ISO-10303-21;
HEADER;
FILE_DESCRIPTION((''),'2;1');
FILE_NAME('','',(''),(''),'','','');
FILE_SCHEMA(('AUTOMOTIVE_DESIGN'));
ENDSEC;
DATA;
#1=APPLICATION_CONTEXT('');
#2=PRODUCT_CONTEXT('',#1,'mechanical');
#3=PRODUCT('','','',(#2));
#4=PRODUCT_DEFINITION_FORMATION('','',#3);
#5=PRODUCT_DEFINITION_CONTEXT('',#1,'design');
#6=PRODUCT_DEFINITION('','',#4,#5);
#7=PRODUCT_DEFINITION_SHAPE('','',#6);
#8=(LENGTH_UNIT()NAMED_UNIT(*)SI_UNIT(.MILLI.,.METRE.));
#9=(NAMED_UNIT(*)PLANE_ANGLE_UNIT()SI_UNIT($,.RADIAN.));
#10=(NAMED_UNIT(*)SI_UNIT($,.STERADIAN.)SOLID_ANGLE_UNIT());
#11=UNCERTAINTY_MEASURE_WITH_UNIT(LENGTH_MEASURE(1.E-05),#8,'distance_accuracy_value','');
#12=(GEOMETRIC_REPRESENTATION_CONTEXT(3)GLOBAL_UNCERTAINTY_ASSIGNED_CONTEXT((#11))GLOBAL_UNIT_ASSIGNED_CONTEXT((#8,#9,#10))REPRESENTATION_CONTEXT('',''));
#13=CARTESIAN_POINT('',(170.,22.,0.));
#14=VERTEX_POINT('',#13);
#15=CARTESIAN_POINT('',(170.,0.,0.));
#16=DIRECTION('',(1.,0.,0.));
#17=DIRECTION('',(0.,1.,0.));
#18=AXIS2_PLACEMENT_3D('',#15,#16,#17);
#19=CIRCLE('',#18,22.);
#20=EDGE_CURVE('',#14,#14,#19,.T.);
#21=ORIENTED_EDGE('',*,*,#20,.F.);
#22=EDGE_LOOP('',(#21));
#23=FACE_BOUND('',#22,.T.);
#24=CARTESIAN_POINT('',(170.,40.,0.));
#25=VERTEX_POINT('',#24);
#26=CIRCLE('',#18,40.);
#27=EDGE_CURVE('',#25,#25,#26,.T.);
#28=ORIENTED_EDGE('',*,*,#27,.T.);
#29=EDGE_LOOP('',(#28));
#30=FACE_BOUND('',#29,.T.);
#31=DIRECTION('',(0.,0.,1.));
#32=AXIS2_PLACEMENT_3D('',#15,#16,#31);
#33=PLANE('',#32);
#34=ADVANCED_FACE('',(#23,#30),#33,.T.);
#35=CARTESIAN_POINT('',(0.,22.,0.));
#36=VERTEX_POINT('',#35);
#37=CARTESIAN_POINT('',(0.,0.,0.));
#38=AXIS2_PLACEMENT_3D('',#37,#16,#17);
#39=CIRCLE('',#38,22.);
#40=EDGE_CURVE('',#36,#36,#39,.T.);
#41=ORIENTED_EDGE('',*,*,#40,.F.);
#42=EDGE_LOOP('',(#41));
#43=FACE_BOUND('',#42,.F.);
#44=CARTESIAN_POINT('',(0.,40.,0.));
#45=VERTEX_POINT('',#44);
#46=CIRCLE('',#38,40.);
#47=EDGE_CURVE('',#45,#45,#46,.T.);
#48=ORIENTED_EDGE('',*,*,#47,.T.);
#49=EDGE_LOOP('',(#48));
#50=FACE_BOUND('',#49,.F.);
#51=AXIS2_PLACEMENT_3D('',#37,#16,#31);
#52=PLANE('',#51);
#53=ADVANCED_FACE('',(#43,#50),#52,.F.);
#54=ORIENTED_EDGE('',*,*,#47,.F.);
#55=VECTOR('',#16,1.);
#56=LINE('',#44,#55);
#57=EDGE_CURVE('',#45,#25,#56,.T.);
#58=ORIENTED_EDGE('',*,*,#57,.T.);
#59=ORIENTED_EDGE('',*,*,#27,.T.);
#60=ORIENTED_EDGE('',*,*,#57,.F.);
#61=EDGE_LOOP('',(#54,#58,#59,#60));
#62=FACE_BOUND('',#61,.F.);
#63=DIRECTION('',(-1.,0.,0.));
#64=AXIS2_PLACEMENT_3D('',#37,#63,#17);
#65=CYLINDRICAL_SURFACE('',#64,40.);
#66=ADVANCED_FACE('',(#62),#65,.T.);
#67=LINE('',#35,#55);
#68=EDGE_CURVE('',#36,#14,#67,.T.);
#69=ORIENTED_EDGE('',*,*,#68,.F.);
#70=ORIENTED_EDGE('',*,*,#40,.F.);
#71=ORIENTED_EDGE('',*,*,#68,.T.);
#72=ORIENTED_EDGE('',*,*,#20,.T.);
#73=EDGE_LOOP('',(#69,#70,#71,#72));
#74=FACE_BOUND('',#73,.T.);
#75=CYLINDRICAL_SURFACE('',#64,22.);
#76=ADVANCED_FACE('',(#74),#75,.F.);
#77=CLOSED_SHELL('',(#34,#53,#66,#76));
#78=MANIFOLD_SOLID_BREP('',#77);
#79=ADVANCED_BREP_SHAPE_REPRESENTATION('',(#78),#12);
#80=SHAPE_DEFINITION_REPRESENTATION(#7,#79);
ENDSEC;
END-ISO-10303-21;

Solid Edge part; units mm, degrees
sketch "Sketch1" plane through (0, 0, 0) normal (1, 0, 0) x (0, 1, 0)
  circle A0 centre (0, 0) radius 22
  circle A1 centre (0, 0) radius 40
  dimension "D1" = 44
  dimension "D2" = 80
extrude "Protrusion1" add sketch "Sketch1" along normal blind 170
properties material "Steel"
